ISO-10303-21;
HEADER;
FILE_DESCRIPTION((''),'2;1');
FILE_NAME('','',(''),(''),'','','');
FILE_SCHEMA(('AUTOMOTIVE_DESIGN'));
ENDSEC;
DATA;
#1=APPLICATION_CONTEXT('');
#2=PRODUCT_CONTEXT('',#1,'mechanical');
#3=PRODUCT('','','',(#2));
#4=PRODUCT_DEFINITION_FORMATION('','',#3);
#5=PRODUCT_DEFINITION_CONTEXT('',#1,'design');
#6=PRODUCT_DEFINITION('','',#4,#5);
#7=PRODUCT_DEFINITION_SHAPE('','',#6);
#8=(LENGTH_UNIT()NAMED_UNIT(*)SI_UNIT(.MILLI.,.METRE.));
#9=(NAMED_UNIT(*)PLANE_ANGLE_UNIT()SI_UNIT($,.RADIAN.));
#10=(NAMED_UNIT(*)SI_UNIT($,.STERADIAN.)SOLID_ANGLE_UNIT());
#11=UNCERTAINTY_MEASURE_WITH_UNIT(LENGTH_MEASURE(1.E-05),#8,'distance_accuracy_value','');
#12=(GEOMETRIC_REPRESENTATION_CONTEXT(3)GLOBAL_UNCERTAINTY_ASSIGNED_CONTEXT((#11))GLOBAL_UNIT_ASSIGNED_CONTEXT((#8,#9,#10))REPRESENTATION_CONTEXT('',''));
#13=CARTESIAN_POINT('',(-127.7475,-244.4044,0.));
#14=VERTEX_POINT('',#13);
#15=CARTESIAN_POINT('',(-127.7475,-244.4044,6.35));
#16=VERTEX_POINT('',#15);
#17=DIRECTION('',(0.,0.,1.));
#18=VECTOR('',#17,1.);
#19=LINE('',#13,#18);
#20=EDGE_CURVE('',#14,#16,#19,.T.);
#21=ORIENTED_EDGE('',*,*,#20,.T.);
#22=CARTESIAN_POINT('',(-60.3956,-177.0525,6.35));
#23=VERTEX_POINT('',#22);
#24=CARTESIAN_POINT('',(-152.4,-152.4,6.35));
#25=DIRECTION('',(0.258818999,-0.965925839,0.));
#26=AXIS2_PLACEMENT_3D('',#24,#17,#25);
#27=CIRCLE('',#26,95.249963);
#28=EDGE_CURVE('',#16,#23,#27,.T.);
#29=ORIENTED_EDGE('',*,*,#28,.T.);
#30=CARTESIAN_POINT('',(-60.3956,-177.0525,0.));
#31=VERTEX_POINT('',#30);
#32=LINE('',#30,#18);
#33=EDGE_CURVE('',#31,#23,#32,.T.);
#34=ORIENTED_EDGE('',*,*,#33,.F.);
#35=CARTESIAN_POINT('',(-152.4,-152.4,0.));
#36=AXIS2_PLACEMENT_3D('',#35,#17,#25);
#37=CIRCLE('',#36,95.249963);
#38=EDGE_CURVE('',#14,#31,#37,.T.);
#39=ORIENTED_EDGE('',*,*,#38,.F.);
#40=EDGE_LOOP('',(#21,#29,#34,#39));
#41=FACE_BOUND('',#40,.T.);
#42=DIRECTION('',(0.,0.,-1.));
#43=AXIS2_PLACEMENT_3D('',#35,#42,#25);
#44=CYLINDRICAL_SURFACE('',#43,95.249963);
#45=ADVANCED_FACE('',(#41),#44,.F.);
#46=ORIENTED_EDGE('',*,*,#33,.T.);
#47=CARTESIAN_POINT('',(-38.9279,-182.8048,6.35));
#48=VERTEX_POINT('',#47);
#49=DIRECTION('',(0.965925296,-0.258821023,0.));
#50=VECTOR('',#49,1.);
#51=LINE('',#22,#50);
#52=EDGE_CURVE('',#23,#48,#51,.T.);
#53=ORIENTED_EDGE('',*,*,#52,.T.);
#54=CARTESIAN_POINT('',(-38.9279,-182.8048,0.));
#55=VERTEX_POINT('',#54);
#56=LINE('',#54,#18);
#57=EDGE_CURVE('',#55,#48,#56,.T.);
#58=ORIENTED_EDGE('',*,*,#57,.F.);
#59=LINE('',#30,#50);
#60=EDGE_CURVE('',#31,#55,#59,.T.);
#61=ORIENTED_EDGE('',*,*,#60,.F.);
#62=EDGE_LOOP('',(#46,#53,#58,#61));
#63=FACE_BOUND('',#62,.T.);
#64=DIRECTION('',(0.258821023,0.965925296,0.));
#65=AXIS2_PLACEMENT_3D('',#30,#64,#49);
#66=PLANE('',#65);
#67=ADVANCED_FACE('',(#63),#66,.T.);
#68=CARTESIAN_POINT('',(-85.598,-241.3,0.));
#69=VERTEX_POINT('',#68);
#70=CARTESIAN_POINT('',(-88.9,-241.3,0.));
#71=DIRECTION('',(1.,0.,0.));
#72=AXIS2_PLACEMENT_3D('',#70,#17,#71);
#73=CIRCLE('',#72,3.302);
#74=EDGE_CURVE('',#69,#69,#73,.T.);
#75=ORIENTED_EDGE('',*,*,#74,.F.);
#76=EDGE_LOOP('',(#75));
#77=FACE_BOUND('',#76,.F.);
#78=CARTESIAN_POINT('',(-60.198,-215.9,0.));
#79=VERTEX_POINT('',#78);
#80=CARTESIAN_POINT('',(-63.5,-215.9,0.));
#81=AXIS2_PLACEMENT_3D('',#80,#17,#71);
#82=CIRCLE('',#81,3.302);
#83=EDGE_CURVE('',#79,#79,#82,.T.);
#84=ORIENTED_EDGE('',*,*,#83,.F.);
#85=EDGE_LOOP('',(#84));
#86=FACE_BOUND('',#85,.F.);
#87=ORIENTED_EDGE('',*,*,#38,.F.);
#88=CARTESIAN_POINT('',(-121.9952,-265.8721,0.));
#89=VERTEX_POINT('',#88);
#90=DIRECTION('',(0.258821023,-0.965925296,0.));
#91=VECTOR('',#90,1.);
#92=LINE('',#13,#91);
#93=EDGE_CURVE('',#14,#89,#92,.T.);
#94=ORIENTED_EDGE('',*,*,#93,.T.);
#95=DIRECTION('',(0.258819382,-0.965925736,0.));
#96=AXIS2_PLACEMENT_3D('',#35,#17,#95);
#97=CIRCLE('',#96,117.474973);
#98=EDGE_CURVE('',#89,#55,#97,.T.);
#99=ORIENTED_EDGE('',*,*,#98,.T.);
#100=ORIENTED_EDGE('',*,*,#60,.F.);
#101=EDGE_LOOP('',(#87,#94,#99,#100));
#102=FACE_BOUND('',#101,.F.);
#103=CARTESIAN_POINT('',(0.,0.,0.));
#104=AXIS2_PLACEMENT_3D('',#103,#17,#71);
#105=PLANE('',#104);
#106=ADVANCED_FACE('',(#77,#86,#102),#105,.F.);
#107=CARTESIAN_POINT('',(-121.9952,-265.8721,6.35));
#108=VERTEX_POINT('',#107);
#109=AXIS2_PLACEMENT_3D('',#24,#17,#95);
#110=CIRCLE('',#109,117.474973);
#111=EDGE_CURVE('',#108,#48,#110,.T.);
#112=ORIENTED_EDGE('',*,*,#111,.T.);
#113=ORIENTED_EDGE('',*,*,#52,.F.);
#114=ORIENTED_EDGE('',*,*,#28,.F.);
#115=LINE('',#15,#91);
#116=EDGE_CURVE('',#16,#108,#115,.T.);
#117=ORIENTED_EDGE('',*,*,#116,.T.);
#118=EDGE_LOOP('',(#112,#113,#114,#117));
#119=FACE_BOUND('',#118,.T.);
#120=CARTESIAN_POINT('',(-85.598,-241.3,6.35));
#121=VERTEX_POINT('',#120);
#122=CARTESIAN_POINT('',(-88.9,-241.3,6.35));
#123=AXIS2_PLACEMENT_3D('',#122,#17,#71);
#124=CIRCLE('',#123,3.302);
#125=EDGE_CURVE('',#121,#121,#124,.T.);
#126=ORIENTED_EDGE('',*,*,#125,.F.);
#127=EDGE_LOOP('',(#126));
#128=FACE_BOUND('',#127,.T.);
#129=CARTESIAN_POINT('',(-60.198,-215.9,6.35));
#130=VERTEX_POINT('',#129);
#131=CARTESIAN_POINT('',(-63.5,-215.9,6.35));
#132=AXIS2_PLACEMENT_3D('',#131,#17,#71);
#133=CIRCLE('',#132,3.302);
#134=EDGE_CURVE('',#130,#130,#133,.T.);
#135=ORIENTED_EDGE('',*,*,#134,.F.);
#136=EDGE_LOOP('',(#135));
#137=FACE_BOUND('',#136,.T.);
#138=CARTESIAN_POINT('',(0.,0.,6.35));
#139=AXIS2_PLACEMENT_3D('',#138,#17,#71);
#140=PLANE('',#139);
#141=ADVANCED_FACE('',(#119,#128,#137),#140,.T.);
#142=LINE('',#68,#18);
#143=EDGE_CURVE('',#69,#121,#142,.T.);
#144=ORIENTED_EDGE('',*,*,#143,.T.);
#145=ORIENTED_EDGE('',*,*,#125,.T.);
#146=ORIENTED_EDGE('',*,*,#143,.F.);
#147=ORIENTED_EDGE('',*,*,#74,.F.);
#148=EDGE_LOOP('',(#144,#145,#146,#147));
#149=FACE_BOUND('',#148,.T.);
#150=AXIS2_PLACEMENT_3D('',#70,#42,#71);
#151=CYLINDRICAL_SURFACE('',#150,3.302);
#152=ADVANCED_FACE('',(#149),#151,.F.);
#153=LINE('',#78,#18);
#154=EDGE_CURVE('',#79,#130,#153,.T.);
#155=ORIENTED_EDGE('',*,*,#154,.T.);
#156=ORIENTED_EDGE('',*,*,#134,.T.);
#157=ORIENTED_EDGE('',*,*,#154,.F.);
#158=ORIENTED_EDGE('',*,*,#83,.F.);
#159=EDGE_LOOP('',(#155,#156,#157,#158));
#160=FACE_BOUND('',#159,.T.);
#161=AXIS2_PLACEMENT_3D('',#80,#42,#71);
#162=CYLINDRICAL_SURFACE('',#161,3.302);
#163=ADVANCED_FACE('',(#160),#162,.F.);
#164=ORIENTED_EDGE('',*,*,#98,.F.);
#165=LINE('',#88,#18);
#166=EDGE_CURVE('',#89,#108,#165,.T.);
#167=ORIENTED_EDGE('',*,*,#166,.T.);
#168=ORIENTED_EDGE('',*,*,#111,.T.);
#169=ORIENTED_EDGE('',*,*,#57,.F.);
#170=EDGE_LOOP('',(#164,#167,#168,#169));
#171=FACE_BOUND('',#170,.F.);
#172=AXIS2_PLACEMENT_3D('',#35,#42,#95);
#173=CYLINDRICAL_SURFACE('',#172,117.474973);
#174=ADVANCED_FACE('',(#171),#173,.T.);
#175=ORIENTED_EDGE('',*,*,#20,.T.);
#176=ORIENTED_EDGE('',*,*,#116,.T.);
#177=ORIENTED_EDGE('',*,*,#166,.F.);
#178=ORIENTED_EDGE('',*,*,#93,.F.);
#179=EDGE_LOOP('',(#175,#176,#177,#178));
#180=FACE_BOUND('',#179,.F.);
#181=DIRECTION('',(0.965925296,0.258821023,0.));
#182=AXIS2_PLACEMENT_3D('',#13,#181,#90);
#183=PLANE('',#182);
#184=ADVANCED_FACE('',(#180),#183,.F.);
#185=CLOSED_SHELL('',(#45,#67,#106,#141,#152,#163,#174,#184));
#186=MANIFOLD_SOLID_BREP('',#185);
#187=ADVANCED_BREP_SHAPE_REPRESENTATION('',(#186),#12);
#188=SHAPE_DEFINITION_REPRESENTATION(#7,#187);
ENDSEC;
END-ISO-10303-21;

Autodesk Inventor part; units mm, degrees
ref_plane "YZ Plane" through (0, 0, 0) normal (1, 0, 0) x (0, 1, 0)
ref_plane "XZ Plane" through (0, 0, 0) normal (0, 1, 0) x (-1, 0, 0)
ref_plane "XY Plane" through (0, 0, 0) normal (0, 0, 1) x (1, 0, 0)
ref_plane "Work Plane1" through (0, 0, 0) normal (0, 0, 1) x (1, 0, 0)
sketch "Sketch1" plane through (0, 0, 0) normal (0, 0, 1) x (1, 0, 0)
  line L0 (0, 0) -> (-152.4, 0)
  circle A0 centre (-38.1, -165.1) radius 2.8067 construction
  line L1 (-60.3956, -177.0525) -> (-38.9279, -182.8048)
  line L2 (-127.7475, -244.4044) -> (-121.9952, -265.8721)
  arc A1 (-127.7475, -244.4044) -> (-60.3956, -177.0525) centre (-152.4, -152.4) ccw
  arc A2 (-121.9952, -265.8721) -> (-38.9279, -182.8048) centre (-152.4, -152.4) ccw
  line L3 (0, 0) -> (-63.5, 0)
  line L4 (-63.5, 0) -> (-63.5, -215.9) construction
  line L5 (-63.5, -215.9) -> (-88.9, -215.9) construction
  line L6 (-88.9, -215.9) -> (-88.9, -241.3) construction
  circle A3 centre (-63.5, -215.9) radius 3.302
  circle A4 centre (-88.9, -241.3) radius 3.302
  dimension "d0" = 152.4
  dimension "d8" = 63.5
  dimension "d9" = 215.9
  dimension "d10" = 25.4
  dimension "d11" = 25.4
  dimension "d12" = 6.604
  dimension "d13" = 6.604
extrude "Extrusion1" add sketch "Sketch1" along normal blind 6.35
properties part number "vrRig_v08_ballCupAlignment"
